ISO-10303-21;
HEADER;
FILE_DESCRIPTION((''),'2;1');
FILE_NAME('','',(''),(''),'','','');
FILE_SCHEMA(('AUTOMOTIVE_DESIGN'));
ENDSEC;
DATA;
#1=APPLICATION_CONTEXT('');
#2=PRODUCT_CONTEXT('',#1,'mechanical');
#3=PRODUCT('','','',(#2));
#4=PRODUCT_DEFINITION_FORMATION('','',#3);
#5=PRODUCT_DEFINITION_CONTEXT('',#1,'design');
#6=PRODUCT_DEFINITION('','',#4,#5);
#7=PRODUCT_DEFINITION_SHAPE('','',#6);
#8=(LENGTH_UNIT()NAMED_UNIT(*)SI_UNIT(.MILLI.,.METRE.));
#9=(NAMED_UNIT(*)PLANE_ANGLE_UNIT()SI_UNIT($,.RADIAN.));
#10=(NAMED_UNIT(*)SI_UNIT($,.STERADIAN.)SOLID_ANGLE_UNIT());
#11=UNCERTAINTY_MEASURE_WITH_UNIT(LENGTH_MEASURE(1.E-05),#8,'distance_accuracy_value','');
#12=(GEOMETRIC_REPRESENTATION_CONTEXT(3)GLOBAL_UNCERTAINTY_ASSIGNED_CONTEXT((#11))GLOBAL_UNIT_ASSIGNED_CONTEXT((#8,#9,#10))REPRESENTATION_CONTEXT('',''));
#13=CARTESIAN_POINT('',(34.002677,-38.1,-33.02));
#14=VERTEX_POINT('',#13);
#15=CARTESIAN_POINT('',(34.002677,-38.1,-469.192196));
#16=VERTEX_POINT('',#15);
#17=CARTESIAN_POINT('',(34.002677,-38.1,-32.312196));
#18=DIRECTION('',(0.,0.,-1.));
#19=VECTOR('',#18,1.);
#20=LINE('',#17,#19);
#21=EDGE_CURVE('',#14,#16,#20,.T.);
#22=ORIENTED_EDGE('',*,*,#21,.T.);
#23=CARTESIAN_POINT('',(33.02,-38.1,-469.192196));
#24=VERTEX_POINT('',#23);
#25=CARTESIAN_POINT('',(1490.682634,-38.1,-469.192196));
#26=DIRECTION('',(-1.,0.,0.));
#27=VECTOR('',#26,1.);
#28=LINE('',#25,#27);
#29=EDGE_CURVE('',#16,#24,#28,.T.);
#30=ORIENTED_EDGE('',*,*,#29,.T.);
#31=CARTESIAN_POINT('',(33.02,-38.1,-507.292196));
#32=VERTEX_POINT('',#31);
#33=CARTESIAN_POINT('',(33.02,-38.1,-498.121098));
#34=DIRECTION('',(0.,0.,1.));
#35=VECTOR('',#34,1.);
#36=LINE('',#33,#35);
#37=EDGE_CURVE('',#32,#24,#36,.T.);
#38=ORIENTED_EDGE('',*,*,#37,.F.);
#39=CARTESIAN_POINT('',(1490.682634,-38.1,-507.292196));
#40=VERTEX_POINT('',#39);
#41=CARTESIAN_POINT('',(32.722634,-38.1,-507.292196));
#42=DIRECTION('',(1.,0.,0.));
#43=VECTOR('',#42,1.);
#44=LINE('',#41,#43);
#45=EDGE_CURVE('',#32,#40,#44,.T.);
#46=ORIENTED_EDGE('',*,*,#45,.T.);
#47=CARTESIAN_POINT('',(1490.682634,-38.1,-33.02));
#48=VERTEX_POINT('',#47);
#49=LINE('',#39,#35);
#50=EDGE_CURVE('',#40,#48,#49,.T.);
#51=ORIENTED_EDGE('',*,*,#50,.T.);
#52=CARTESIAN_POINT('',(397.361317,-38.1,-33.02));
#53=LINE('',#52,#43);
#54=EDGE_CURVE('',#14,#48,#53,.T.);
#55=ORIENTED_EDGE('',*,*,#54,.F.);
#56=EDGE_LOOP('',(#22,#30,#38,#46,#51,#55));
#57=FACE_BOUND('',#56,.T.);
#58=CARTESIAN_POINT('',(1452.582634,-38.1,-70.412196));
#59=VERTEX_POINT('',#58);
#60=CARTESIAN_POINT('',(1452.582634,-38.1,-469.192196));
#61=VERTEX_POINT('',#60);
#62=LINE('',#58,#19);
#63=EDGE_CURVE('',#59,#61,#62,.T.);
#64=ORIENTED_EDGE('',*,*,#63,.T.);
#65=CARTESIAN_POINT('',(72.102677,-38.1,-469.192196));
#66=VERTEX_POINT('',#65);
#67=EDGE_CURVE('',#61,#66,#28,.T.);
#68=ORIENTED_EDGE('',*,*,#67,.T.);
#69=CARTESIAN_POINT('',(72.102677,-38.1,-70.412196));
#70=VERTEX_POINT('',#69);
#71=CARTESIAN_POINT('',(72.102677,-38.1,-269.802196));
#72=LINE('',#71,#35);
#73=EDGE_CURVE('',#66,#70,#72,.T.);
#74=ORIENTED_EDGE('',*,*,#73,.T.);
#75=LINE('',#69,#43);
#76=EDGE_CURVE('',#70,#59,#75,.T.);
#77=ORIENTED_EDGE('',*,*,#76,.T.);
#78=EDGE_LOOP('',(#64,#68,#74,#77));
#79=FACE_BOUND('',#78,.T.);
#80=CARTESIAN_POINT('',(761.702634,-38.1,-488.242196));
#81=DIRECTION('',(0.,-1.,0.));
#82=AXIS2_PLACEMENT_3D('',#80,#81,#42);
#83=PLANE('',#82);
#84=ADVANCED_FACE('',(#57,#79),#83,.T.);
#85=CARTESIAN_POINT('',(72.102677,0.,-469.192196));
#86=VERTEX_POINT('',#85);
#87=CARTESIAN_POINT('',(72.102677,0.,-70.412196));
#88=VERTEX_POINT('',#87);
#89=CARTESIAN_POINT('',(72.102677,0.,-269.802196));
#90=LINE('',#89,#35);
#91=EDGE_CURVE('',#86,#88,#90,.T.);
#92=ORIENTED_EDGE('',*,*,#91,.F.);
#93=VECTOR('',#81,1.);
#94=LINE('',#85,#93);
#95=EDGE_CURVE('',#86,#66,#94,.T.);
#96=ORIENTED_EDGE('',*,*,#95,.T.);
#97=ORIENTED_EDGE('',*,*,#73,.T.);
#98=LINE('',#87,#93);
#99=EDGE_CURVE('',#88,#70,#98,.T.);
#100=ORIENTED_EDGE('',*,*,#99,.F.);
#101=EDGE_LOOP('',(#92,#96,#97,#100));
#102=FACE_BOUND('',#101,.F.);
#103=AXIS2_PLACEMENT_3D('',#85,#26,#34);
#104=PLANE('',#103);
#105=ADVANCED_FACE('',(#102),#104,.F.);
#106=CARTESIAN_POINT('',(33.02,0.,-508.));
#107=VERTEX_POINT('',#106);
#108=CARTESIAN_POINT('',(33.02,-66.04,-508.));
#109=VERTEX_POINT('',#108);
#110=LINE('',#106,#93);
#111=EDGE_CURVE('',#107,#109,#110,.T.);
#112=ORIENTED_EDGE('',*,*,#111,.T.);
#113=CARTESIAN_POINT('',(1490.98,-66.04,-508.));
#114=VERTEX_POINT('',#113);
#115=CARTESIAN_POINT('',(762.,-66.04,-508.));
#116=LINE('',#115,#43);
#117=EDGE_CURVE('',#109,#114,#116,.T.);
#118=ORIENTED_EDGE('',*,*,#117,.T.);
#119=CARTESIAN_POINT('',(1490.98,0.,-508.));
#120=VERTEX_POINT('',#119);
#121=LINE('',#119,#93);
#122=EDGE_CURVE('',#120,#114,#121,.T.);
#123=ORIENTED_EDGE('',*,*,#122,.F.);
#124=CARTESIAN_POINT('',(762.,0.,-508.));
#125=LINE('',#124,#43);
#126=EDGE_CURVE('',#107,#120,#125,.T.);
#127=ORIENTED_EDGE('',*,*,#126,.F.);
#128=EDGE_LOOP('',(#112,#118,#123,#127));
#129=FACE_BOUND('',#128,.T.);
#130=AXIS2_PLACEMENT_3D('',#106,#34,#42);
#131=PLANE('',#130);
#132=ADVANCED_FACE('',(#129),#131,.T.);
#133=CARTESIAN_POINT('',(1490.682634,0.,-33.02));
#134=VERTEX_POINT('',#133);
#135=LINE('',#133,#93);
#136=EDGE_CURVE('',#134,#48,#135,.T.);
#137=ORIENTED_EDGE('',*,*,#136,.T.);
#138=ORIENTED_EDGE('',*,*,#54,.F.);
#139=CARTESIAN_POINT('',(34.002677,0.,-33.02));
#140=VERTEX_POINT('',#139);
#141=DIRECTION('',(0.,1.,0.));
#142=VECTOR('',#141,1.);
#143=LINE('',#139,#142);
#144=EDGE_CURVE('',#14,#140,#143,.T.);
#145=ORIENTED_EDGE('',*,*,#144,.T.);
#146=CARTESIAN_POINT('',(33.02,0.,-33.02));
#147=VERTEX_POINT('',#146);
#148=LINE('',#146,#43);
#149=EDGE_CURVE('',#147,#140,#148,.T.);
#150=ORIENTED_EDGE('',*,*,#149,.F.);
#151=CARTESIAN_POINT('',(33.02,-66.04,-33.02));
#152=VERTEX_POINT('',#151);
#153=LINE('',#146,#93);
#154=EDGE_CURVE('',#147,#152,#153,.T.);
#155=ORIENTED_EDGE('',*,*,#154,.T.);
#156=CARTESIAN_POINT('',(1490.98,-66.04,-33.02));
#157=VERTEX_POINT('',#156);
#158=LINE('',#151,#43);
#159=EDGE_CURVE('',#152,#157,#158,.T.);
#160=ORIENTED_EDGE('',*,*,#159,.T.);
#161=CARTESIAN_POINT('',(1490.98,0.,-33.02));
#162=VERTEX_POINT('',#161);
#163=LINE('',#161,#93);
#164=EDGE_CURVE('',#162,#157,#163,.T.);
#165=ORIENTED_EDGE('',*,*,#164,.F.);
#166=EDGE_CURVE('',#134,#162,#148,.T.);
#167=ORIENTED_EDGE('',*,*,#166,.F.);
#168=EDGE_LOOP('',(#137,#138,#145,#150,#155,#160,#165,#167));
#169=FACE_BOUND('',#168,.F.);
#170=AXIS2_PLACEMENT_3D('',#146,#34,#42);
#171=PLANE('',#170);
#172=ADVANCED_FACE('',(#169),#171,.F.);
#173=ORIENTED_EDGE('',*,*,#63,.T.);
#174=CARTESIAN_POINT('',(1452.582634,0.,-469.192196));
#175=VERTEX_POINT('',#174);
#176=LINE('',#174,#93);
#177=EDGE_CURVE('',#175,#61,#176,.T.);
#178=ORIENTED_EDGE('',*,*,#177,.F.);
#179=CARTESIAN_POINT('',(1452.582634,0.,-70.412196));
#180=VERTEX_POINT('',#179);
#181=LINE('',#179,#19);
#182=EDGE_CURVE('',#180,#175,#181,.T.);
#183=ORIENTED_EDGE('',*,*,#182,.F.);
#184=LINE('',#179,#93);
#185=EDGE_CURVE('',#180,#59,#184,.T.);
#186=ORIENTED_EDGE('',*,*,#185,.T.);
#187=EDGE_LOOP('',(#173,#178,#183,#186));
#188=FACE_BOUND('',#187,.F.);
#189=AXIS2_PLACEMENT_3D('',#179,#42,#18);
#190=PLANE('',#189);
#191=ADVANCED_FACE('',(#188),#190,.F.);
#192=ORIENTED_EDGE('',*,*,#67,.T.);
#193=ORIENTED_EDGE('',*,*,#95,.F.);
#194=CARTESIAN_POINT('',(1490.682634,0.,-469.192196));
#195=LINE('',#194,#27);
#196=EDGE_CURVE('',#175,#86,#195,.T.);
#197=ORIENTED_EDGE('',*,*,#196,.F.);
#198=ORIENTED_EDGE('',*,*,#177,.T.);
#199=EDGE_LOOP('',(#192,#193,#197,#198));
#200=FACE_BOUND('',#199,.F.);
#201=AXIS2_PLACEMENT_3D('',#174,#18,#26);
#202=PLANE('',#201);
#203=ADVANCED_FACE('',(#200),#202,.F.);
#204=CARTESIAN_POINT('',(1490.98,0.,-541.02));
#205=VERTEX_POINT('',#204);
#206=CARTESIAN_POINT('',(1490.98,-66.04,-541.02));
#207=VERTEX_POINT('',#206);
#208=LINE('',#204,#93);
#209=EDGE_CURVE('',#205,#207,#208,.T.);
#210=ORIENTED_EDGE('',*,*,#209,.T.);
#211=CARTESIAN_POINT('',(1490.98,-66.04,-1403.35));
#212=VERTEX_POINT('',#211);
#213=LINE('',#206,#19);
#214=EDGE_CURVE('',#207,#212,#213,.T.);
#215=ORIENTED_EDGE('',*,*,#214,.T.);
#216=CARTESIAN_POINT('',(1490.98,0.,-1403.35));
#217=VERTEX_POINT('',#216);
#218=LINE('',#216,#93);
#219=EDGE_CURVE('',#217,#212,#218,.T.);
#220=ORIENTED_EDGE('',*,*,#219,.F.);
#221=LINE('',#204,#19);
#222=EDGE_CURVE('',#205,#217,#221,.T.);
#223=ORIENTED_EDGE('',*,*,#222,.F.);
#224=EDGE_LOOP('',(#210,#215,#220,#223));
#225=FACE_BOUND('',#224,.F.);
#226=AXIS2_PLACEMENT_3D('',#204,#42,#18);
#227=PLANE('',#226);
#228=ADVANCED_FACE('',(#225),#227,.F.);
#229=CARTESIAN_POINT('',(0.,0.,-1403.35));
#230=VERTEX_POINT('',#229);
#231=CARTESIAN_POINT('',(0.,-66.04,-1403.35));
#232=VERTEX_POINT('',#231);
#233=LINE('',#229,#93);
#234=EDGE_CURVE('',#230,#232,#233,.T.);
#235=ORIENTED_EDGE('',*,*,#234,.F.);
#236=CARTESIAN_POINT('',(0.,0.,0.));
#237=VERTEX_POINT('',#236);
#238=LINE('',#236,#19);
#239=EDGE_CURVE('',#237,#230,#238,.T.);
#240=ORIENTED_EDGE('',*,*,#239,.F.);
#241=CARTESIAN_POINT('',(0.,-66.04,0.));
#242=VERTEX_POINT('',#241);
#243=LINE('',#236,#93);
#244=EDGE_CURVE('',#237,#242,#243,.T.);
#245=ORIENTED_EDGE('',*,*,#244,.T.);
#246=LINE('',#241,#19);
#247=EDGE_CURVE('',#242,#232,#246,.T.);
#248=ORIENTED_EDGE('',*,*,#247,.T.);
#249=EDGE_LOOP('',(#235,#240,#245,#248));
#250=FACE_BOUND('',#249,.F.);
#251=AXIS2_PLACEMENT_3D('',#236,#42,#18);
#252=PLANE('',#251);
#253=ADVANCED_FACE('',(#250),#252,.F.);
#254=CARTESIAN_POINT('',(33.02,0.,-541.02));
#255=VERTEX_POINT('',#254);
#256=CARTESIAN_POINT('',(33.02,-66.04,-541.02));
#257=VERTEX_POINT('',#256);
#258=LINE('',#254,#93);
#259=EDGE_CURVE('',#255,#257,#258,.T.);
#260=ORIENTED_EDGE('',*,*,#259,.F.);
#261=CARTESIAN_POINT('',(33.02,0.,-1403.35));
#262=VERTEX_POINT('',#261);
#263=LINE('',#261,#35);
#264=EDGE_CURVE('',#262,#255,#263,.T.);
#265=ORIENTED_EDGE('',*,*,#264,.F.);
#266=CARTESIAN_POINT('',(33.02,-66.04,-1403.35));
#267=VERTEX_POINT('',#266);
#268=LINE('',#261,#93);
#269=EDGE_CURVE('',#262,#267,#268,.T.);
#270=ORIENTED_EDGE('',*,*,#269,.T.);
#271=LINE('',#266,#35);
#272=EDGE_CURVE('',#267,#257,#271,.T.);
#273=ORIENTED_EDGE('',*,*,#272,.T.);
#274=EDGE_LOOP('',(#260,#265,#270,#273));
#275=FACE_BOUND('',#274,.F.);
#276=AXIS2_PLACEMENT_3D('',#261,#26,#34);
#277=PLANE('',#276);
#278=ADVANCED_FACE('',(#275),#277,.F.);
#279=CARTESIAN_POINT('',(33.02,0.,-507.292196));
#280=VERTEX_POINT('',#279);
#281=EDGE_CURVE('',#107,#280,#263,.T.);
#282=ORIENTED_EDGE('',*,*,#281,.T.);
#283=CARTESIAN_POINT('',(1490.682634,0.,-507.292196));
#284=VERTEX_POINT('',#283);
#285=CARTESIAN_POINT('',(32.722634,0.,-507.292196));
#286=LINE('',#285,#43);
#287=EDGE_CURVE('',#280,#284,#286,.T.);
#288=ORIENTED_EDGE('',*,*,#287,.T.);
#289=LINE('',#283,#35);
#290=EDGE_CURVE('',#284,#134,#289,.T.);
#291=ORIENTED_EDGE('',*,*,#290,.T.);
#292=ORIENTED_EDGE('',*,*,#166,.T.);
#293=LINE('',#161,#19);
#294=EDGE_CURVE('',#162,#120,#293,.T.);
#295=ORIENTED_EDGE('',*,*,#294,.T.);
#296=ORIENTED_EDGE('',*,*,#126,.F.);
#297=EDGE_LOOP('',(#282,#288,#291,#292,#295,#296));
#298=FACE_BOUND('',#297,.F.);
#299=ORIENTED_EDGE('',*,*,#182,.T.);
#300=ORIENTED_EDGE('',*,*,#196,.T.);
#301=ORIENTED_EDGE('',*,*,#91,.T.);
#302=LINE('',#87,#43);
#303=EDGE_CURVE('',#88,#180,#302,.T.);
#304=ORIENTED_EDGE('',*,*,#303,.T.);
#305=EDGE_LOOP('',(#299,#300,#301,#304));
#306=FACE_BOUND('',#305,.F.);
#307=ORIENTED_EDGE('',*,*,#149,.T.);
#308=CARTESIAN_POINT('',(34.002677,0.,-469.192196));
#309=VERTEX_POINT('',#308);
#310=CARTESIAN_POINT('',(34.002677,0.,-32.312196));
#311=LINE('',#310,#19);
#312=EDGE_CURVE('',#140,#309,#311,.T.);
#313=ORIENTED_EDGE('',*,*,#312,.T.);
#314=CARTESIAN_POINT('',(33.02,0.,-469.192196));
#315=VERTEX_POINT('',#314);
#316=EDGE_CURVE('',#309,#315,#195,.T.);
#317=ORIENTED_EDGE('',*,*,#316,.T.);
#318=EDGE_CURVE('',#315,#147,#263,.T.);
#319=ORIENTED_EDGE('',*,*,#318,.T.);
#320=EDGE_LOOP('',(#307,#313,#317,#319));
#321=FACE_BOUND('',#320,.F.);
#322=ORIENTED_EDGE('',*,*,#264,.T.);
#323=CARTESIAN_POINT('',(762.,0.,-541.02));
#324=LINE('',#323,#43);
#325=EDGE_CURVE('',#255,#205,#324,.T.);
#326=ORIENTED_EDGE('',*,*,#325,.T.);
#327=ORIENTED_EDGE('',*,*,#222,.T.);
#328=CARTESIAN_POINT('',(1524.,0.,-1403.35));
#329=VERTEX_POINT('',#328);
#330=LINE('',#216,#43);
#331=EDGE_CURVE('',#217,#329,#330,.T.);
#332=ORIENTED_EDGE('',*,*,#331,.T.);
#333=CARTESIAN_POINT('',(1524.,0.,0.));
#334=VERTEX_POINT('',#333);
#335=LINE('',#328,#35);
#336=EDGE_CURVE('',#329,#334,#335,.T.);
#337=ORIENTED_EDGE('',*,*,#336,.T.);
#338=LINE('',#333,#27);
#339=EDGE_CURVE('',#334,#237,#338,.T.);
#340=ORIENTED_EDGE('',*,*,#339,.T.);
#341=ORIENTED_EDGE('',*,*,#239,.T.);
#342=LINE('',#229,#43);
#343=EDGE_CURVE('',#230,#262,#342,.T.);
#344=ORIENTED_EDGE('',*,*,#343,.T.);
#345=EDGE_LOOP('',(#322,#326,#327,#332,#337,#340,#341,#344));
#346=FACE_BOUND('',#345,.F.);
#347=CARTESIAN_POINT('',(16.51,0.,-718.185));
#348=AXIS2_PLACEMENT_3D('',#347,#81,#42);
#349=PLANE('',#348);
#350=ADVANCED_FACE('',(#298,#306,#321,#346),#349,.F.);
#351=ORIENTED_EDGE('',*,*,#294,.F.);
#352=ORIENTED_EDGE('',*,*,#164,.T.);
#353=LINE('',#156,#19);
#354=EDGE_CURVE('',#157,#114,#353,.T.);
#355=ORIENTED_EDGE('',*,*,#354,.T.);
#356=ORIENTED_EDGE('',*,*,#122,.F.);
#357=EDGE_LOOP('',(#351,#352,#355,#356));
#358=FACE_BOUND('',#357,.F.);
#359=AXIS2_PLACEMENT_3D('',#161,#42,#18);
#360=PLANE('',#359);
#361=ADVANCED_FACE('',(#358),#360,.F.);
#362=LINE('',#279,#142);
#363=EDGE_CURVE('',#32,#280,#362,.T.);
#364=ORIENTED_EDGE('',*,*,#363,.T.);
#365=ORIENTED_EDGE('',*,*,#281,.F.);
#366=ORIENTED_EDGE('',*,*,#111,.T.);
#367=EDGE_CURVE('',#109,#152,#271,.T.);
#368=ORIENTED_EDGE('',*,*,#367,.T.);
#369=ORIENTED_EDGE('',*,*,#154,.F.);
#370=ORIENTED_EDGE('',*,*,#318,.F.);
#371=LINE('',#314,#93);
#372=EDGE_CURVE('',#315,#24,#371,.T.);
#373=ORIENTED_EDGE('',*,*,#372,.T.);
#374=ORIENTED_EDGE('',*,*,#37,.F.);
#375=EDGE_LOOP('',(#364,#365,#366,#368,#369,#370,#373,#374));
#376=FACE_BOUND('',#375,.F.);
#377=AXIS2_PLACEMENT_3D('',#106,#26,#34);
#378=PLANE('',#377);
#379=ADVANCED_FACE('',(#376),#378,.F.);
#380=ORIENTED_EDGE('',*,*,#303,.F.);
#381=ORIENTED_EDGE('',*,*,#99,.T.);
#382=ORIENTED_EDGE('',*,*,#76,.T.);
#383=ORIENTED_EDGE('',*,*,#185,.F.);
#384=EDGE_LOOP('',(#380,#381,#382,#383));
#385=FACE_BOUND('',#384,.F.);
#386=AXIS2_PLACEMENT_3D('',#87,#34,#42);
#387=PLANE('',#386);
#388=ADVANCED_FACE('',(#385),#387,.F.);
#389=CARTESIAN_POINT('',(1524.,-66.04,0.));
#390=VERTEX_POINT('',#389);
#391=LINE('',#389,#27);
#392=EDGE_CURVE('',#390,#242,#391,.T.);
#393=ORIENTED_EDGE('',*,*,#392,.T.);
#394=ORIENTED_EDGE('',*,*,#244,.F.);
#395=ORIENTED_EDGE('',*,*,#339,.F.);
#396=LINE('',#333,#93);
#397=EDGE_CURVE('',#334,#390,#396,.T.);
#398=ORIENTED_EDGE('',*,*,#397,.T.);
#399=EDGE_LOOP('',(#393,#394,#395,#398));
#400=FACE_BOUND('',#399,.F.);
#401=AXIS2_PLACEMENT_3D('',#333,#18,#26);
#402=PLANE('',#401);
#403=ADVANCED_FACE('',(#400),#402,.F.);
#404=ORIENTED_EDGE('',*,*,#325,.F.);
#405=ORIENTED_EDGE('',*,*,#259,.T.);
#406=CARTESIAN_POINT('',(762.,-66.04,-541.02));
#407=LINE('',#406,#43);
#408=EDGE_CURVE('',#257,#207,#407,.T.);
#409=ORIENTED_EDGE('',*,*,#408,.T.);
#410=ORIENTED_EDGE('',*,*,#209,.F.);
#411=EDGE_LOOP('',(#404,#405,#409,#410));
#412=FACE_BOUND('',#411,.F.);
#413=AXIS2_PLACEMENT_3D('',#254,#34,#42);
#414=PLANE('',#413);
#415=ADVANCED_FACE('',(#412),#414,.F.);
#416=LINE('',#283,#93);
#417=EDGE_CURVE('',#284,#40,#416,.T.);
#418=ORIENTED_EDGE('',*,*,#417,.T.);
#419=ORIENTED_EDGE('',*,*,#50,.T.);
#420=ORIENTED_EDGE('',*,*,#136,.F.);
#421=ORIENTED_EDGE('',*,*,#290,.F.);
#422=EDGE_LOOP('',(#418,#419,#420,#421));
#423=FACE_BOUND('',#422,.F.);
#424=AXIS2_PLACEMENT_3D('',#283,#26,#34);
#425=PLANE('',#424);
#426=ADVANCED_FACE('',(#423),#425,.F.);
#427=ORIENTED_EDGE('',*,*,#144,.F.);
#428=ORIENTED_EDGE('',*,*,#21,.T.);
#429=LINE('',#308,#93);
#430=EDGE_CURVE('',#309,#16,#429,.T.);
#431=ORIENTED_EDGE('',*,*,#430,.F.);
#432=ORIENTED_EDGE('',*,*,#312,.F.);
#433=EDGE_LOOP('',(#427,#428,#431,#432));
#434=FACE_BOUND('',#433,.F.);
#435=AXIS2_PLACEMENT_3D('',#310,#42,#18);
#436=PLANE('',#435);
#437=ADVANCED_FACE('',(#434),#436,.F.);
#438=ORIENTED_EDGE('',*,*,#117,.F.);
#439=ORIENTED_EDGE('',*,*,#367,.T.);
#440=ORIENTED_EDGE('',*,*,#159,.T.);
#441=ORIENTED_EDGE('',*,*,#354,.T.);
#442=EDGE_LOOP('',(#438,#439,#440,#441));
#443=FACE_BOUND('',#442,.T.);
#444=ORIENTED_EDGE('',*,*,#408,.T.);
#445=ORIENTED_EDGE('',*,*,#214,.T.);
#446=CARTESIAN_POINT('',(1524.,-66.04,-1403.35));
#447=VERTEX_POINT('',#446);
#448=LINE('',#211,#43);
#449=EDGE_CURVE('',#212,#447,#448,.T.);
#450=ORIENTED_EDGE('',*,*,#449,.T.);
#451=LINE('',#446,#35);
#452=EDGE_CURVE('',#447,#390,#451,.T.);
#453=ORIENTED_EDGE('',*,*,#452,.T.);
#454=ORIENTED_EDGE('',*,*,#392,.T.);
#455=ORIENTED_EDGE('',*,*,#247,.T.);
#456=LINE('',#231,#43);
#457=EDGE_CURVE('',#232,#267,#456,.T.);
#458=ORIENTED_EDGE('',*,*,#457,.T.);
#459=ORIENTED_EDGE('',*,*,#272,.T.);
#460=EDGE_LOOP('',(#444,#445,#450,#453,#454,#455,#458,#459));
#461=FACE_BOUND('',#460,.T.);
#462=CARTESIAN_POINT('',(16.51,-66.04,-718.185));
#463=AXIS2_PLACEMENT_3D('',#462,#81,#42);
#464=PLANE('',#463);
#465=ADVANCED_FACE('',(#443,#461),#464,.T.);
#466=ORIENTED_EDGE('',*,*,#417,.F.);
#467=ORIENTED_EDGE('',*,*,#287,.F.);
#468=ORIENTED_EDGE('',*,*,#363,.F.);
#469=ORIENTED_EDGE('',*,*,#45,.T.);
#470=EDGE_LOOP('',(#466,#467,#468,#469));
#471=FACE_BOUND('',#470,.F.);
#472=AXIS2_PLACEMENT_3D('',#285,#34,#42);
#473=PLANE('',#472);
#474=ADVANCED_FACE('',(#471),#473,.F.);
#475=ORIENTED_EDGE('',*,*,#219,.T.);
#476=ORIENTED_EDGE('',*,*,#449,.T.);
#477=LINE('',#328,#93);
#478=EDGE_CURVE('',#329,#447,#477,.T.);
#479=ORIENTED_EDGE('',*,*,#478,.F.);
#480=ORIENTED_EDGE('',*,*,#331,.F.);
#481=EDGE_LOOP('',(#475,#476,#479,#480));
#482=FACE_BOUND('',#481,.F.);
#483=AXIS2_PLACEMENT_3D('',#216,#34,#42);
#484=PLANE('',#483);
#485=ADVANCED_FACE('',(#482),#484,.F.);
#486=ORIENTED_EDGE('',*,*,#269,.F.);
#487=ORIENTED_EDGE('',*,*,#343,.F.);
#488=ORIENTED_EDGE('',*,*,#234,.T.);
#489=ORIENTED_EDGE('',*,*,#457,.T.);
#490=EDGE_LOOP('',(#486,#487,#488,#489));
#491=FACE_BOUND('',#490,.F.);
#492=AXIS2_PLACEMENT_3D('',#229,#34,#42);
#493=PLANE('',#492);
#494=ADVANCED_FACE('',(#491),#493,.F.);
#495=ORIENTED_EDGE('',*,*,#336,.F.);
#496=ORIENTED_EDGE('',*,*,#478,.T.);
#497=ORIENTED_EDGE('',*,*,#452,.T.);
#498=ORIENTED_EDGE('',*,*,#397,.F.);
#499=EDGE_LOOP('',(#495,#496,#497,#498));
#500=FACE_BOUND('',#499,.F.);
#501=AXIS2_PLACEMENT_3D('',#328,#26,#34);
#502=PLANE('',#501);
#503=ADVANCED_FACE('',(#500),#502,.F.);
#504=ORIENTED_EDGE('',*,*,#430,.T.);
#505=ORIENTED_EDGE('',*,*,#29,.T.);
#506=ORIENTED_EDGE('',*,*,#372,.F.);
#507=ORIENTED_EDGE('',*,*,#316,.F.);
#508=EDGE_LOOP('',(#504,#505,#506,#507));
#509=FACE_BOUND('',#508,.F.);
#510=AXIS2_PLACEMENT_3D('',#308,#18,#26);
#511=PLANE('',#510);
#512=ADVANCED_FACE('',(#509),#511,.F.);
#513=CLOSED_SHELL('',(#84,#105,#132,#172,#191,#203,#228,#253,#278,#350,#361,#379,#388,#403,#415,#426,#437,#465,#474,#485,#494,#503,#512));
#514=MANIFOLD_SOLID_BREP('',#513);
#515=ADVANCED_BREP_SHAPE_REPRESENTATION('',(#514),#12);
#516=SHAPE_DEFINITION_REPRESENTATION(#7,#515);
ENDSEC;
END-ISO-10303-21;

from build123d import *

# Parameters (mm, degrees)
F0_W     = 1457.96
F0_H     = 33.02
F2_DEPTH = 66.04
F1_W     = 38.1
F1_H     = 398.78
F3_DEPTH = 38.1


with BuildPart() as f2:
    # F0 (on Front) → F2 (new body)
    with BuildSketch(Plane.XZ):
        Polygon((33.02, -33.02), (0, -33.02), (0, -1403.35), (33.02, -1403.35), (33.02, -541.02), (33.02, -508), align=None)
        with Locations((762, -524.51)):
            Rectangle(F0_W, F0_H)
        Polygon((1524, 0), (0, 0), (0, -33.02), (33.02, -33.02), (1490.98, -33.02), (1524, -33.02), align=None)
        Polygon((1524, -1403.35), (1524, -33.02), (1490.98, -33.02), (1490.98, -508), (1490.98, -541.02), (1490.98, -1403.35), align=None)
    extrude(amount=F2_DEPTH)

    # F1 (on Front) → F3 (join)
    with BuildSketch(Plane.XZ):
        Polygon((32.722634, -469.192196), (32.722634, -507.292196), (1490.682634, -507.292196), (1490.682634, -469.192196), (1452.582634, -469.192196), (72.102677, -469.192196), (34.002677, -469.192196), align=None)
        with Locations((53.052677, -269.802196)):
            Rectangle(F1_W, F1_H)
        Polygon((34.002677, -32.312196), (34.002677, -70.412196), (72.102677, -70.412196), (1452.582634, -70.412196), (1452.582634, -32.312196), align=None)
        Polygon((1452.582634, -469.192196), (1490.682634, -469.192196), (1490.682634, -32.312196), (1452.582634, -32.312196), (1452.582634, -70.412196), align=None)
    extrude(amount=F3_DEPTH)


solid = f2.part
